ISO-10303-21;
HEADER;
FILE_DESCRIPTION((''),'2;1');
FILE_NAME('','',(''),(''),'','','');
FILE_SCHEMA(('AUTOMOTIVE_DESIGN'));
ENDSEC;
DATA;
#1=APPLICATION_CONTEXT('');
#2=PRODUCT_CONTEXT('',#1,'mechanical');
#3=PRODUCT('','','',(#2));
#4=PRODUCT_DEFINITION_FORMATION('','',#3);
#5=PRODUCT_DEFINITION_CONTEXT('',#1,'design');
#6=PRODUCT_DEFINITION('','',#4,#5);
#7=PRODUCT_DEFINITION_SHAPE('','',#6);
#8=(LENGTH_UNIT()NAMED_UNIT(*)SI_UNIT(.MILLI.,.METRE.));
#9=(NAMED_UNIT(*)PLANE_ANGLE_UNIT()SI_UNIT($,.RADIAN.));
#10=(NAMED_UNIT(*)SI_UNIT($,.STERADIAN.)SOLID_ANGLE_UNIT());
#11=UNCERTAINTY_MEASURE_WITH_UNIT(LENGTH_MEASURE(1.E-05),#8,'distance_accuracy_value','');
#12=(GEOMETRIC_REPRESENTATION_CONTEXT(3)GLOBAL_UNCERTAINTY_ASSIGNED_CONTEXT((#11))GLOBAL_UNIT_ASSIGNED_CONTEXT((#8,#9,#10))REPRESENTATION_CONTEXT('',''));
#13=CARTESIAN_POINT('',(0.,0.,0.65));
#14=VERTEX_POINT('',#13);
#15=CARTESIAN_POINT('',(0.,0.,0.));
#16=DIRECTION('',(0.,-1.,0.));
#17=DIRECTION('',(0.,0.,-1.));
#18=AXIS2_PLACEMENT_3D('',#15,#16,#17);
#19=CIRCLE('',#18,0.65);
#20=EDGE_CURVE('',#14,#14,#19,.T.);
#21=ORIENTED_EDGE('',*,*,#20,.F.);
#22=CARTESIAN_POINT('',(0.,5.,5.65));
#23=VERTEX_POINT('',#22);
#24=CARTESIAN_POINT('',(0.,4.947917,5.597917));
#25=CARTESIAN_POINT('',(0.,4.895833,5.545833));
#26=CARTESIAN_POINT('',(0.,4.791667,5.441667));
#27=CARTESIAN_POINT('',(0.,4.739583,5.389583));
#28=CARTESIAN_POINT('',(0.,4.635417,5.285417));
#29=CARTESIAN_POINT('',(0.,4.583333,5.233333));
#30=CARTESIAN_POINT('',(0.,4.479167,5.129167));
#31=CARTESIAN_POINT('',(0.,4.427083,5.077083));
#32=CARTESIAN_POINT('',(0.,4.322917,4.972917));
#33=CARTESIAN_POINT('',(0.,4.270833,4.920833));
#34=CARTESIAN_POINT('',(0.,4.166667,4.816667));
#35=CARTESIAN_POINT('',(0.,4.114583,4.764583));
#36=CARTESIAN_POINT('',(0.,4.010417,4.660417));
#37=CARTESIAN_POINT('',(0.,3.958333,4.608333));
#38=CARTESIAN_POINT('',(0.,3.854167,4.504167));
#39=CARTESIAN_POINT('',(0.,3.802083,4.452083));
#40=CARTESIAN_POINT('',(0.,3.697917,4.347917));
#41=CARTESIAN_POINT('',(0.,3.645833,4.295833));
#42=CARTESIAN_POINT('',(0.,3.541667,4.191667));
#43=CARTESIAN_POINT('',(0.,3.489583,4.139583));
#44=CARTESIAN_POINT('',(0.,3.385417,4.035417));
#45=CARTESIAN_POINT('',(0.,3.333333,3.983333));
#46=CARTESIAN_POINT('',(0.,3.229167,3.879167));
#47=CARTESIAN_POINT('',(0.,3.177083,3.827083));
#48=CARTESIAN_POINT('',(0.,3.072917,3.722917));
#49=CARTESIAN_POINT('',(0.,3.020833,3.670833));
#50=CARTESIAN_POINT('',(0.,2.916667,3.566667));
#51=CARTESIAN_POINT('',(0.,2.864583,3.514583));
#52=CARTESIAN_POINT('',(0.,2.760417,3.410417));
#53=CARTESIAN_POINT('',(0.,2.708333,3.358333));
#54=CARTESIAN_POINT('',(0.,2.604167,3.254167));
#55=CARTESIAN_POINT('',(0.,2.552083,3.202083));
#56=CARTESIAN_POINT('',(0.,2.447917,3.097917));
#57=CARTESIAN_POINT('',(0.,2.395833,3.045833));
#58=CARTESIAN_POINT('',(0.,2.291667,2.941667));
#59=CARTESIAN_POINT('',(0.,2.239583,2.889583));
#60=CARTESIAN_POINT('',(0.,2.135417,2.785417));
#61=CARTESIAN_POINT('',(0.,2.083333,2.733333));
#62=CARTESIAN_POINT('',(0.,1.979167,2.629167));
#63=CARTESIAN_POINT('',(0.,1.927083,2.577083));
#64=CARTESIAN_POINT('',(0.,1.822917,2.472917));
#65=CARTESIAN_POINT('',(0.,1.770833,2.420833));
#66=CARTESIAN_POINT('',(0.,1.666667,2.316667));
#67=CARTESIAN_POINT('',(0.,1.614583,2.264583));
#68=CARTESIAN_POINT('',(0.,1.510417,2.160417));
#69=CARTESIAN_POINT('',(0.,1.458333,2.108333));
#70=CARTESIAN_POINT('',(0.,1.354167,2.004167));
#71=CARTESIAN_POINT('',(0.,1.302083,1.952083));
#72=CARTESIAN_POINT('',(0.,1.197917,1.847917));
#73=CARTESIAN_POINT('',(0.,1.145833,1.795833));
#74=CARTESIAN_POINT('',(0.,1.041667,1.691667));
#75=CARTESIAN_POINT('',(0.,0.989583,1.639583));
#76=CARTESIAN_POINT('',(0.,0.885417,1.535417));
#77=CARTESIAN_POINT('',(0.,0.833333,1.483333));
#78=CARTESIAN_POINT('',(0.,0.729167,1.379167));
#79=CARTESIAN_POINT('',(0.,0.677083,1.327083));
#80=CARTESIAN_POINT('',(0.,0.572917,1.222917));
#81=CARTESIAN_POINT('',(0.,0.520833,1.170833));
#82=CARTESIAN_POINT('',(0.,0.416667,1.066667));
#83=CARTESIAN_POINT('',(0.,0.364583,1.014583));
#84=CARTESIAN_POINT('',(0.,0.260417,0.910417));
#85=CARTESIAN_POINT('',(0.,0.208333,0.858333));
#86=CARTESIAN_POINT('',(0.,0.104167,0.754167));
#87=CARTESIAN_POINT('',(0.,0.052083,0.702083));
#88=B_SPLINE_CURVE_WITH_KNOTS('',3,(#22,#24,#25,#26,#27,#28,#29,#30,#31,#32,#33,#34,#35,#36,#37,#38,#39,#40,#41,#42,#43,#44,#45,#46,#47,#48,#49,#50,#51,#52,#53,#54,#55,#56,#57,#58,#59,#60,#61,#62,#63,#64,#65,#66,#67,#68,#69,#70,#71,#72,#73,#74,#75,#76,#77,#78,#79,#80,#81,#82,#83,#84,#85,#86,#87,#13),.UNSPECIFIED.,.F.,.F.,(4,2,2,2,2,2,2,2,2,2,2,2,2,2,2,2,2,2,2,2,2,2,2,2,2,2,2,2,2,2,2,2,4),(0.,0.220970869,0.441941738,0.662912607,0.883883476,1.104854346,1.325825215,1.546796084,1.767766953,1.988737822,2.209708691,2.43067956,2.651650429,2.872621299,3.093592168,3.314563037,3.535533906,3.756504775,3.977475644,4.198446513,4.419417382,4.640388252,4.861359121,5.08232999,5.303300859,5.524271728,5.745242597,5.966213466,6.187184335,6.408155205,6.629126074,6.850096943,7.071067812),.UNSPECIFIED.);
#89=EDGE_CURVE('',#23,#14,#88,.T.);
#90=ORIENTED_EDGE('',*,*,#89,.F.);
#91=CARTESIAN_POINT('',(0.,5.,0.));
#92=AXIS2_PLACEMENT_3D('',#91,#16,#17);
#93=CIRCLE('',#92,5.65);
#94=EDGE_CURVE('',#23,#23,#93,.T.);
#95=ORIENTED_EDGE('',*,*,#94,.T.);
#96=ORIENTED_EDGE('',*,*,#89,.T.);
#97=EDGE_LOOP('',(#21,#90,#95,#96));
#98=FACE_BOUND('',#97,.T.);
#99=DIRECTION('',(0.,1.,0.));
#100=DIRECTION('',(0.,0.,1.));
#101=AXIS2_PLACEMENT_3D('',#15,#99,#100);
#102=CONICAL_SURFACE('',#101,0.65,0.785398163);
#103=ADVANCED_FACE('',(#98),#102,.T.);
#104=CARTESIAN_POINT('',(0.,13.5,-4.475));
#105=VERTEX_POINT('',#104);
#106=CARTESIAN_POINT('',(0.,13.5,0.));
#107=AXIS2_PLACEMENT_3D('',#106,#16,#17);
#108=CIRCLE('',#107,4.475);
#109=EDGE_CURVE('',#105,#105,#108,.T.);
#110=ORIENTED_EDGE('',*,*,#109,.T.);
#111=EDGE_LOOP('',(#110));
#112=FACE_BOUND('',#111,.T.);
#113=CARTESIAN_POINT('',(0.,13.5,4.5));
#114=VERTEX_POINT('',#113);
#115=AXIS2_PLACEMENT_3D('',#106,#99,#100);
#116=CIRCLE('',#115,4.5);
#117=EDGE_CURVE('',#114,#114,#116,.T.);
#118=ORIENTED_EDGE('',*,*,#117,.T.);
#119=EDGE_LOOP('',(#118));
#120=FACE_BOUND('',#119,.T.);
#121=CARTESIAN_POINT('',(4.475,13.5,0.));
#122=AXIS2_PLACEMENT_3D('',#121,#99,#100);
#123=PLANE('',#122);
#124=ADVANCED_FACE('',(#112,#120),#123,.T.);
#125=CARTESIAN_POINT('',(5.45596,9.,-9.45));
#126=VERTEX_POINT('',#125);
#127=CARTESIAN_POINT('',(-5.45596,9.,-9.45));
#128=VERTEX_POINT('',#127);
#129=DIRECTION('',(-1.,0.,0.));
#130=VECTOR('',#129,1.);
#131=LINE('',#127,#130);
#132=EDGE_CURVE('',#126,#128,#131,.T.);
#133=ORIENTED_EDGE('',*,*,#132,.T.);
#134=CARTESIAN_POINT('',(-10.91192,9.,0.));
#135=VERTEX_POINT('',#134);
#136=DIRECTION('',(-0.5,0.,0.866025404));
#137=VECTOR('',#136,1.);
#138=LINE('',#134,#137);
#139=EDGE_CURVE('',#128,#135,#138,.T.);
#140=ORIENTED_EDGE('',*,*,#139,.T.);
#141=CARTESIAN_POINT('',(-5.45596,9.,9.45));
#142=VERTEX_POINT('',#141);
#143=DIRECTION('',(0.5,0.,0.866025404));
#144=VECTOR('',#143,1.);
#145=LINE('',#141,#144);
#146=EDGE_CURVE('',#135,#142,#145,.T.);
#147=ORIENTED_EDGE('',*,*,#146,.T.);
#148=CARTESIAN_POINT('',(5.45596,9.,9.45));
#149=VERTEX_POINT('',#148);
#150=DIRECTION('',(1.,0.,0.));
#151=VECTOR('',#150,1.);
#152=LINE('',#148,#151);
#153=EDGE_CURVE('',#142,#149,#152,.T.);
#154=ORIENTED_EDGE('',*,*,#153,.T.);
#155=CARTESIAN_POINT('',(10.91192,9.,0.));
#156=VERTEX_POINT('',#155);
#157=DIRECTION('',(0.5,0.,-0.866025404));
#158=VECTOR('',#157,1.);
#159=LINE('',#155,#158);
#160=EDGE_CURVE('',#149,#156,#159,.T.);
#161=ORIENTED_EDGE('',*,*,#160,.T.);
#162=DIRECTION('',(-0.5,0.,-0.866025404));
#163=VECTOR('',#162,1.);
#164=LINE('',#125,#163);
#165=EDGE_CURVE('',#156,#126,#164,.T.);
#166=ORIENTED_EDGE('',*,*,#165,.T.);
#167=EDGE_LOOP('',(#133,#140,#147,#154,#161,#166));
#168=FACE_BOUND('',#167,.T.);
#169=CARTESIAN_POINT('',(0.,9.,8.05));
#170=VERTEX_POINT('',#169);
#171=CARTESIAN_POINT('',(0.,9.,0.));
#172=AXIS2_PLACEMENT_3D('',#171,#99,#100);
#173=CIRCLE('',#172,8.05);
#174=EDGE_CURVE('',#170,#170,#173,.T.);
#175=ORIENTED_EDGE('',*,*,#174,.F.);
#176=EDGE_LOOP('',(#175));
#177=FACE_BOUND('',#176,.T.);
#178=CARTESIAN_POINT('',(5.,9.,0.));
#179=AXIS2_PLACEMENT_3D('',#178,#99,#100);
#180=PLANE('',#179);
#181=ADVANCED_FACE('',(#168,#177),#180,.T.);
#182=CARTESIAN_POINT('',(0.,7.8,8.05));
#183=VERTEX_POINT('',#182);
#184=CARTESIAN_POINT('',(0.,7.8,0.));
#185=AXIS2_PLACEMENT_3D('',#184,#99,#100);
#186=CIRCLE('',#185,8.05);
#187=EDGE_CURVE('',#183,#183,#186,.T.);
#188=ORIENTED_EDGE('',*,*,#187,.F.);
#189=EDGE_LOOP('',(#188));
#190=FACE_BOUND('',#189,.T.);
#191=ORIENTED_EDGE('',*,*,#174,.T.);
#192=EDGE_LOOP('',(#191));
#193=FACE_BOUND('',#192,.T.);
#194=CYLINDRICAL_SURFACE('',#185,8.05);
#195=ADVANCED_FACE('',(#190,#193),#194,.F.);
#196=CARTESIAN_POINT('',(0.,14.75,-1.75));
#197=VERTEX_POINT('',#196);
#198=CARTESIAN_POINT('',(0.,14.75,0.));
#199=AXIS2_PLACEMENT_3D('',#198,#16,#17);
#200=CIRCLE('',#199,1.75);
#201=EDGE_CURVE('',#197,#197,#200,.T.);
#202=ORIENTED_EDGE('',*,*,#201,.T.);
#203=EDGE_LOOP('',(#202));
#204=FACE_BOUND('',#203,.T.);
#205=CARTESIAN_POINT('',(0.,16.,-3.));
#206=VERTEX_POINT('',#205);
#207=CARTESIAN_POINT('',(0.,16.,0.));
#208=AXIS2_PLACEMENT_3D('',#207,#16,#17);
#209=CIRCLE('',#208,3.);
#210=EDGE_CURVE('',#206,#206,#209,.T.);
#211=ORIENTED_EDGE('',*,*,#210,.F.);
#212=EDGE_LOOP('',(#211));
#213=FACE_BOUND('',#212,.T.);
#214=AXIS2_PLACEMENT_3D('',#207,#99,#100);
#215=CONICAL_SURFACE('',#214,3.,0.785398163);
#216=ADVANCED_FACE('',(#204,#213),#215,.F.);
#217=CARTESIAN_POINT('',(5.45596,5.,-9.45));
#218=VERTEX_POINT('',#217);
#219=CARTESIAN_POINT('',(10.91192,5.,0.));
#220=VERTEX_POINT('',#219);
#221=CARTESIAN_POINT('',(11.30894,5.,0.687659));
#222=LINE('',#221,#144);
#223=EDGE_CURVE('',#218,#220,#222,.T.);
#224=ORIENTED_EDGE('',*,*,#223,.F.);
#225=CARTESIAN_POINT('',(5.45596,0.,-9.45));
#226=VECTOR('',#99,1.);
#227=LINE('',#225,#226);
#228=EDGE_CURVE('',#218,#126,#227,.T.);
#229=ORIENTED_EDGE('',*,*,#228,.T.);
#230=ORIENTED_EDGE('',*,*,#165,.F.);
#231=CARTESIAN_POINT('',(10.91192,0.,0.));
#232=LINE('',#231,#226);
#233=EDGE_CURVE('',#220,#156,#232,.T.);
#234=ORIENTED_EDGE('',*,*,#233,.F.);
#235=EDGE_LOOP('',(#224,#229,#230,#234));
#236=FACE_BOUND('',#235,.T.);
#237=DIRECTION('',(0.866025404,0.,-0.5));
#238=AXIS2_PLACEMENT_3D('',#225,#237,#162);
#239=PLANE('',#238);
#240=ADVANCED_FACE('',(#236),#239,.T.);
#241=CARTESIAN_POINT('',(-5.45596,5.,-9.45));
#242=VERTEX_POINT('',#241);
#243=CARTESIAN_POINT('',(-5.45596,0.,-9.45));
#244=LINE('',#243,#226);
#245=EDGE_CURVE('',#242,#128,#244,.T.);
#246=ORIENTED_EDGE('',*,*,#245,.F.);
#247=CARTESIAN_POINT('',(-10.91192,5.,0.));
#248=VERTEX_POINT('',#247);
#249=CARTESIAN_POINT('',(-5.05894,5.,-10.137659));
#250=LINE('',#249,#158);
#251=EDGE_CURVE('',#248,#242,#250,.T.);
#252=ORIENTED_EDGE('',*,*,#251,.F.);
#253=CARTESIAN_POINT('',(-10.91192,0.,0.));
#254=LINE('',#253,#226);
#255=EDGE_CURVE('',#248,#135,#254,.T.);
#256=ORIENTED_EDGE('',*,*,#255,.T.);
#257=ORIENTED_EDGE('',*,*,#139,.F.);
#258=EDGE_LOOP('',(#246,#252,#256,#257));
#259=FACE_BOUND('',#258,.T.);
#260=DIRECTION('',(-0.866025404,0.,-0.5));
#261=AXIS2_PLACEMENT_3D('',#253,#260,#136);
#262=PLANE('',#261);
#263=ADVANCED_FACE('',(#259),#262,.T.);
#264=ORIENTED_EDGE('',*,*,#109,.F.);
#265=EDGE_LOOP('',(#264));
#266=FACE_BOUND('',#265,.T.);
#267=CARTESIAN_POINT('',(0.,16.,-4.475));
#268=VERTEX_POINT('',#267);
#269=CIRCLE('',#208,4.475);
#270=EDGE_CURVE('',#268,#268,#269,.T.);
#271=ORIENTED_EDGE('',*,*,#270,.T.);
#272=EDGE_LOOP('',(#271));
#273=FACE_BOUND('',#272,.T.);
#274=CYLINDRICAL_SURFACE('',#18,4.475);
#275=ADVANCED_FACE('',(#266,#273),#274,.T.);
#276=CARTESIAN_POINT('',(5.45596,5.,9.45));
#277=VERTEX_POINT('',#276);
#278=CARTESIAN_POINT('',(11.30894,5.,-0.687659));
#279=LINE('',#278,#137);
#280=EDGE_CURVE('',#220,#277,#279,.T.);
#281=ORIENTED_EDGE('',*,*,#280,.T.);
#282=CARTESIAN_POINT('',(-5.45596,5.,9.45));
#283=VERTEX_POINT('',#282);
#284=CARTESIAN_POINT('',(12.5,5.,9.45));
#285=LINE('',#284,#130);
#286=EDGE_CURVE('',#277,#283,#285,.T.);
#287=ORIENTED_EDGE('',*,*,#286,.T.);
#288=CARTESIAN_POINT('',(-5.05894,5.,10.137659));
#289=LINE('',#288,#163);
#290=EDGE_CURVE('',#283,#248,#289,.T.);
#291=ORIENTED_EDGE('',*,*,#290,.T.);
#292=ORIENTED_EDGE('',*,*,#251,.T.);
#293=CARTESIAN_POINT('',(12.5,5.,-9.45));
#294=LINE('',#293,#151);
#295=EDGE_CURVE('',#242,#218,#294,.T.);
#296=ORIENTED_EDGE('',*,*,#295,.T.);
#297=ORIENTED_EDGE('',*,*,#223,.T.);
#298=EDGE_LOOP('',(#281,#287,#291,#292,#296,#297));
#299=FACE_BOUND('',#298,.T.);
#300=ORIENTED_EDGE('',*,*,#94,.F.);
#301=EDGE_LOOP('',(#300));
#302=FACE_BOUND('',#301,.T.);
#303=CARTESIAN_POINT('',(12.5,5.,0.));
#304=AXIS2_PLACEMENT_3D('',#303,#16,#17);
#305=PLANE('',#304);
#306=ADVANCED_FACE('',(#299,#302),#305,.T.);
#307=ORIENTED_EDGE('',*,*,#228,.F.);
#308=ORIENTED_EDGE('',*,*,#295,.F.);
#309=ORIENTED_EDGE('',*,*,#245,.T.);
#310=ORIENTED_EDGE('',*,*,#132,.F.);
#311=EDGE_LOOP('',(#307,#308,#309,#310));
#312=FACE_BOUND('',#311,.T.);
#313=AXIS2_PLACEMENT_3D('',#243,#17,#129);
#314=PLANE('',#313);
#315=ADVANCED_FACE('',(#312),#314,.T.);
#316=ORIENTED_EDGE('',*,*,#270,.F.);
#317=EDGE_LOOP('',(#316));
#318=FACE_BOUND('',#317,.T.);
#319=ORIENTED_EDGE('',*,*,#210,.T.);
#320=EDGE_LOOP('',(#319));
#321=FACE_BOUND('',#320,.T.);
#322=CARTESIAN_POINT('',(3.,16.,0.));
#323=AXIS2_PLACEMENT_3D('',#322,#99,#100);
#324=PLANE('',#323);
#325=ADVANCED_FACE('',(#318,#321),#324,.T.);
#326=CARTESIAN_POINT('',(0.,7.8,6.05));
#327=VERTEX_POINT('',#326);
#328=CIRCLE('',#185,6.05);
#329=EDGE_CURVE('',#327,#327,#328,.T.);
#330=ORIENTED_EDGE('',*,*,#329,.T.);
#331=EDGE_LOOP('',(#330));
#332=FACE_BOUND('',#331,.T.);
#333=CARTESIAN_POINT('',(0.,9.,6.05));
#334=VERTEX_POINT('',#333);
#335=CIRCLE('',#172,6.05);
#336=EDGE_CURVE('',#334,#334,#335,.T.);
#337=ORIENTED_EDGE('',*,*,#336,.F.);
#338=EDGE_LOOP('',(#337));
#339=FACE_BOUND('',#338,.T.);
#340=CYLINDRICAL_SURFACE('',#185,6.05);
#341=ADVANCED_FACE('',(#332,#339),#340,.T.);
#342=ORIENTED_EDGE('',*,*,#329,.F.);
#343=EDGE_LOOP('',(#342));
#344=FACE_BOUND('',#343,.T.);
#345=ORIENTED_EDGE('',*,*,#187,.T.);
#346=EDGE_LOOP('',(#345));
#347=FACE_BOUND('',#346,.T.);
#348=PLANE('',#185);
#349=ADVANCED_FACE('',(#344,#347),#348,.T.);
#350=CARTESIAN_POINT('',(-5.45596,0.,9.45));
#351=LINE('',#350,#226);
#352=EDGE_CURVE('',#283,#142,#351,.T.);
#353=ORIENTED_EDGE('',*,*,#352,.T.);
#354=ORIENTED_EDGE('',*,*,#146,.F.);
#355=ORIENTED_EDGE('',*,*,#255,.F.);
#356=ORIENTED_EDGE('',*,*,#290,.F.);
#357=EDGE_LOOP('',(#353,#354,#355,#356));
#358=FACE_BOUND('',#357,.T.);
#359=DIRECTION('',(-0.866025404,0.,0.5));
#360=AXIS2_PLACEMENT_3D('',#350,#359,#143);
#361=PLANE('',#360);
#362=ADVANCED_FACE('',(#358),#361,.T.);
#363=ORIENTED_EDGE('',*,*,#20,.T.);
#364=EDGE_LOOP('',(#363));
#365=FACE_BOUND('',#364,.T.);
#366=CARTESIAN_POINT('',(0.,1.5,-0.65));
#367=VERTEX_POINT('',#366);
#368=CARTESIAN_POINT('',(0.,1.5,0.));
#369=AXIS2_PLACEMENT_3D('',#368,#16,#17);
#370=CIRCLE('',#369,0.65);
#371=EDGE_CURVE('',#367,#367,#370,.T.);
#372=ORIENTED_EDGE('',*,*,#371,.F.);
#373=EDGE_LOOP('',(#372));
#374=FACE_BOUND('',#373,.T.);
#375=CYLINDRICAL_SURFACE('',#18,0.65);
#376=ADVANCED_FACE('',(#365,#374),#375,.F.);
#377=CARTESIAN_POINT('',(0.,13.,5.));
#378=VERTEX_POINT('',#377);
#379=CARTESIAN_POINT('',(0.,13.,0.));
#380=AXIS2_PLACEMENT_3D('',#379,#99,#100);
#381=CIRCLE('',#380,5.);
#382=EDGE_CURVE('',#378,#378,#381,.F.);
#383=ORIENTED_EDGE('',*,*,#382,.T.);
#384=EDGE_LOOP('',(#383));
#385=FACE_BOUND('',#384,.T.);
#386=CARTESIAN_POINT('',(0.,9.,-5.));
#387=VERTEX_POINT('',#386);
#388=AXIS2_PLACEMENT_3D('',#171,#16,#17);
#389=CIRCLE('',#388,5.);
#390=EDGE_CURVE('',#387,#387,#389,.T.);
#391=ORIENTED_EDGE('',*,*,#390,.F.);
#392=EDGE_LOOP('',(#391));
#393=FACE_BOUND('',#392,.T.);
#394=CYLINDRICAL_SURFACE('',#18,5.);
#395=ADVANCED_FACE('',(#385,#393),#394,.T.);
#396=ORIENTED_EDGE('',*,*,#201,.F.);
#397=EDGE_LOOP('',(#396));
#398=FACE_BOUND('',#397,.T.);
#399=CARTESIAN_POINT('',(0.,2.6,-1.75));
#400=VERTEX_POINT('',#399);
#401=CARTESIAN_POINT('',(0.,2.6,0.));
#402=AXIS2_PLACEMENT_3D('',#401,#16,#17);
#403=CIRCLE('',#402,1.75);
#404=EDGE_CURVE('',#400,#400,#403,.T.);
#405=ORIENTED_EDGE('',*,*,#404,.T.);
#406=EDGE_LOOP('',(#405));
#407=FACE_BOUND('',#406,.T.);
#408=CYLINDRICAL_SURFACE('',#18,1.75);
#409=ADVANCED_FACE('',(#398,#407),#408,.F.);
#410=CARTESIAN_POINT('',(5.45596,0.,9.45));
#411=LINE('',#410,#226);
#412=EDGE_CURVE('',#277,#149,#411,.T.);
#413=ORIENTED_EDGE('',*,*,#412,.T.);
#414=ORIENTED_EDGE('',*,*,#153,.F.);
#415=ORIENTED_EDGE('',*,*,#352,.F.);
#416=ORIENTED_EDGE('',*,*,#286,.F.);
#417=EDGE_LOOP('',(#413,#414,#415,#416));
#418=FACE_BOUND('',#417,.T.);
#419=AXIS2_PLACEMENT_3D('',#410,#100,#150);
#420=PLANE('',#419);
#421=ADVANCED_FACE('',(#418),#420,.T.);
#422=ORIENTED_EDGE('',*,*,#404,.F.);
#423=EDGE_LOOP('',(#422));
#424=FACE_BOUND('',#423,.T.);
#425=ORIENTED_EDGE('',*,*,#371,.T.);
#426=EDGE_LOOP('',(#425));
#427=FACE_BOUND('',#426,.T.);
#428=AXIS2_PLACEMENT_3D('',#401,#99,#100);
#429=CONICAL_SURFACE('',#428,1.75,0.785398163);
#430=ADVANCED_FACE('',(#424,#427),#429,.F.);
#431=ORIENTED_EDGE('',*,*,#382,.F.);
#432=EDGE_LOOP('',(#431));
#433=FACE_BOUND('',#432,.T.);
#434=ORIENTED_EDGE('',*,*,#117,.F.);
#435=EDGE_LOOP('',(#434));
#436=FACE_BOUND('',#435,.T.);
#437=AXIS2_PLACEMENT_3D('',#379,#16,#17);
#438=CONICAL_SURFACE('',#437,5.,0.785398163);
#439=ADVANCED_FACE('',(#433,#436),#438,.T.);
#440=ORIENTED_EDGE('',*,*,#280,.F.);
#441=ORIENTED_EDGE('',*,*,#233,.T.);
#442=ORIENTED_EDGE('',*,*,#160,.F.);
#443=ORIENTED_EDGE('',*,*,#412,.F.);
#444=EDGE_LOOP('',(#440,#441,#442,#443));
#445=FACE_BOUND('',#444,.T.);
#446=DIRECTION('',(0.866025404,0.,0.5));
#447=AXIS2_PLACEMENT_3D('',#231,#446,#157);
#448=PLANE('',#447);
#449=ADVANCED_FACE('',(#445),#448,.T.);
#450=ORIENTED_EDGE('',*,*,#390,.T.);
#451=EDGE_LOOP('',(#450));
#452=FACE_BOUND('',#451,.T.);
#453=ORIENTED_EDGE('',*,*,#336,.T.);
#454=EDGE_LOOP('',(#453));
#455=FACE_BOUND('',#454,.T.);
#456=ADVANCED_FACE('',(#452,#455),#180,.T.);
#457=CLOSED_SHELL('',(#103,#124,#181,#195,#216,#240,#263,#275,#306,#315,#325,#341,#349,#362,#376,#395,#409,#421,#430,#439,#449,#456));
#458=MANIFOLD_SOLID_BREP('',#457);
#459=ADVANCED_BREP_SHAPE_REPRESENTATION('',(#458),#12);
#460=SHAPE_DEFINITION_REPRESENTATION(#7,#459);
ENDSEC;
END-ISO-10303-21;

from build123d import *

# Parameters (mm, degrees)
CHANFREIN1_SIZE         = 0.5
ESQUISSE2_R             = 12.5
ENL_V_MAT_EXTRU_1_DEPTH = 20.836834425
ESQUISSE3_R             = 8.05
ESQUISSE3_R_2           = 6.05
ENL_V_MAT_EXTRU_2_DEPTH = 1.2


with BuildPart() as part:
    # Esquisse1 → Révolution1 (revolve)
    with BuildSketch(Plane.XY, mode=Mode.PRIVATE) as r_volution1_sk:
        Polygon((0.65, 0), (0.65, 1.5), (1.75, 2.6), (1.75, 14.75), (3, 16), (4.475, 16), (4.475, 13.5), (5, 13.5), (5, 9), (12.5, 9), (12.5, 5), (5.65, 5), align=None)
    revolve(r_volution1_sk.sketch.rotate(Axis((0, 0, 0), (0, 1, 0)), 90), axis=Axis((0, 0, 0), (0, 1, 0)))

    # Chanfrein1
    chanfrein1_edges = [part.edges().sort_by_distance(p)[0] for p in [
        (0, 13.5, 5),
    ]]
    chamfer(chanfrein1_edges, length=CHANFREIN1_SIZE)

    # Esquisse2 → Enlèv. mat.-Extru.1 (cut, through all)
    with BuildSketch(Plane(origin=(0, 9, 0), x_dir=(1, 0, 0), z_dir=(0, 1, 0))):
        Circle(ESQUISSE2_R)
        Polygon((-10.911920088, 0), (-5.455960044, 9.45), (5.455960044, 9.45), (10.911920088, 0), (5.455960044, -9.45), (-5.455960044, -9.45), align=None, mode=Mode.SUBTRACT)
    extrude(amount=-ENL_V_MAT_EXTRU_1_DEPTH, mode=Mode.SUBTRACT)

    # Esquisse3 → Enlèv. mat.-Extru.2 (cut)
    with BuildSketch(Plane(origin=(0, 9, 0), x_dir=(1, 0, 0), z_dir=(0, 1, 0))):
        with Locations(Location((0, 0, 0), (0, 0, 270))):
            Circle(ESQUISSE3_R)
        with Locations(Location((0, 0, 0), (0, 0, 270))):
            Circle(ESQUISSE3_R_2, mode=Mode.SUBTRACT)
    extrude(amount=-ENL_V_MAT_EXTRU_2_DEPTH, mode=Mode.SUBTRACT)


solid = part.part
